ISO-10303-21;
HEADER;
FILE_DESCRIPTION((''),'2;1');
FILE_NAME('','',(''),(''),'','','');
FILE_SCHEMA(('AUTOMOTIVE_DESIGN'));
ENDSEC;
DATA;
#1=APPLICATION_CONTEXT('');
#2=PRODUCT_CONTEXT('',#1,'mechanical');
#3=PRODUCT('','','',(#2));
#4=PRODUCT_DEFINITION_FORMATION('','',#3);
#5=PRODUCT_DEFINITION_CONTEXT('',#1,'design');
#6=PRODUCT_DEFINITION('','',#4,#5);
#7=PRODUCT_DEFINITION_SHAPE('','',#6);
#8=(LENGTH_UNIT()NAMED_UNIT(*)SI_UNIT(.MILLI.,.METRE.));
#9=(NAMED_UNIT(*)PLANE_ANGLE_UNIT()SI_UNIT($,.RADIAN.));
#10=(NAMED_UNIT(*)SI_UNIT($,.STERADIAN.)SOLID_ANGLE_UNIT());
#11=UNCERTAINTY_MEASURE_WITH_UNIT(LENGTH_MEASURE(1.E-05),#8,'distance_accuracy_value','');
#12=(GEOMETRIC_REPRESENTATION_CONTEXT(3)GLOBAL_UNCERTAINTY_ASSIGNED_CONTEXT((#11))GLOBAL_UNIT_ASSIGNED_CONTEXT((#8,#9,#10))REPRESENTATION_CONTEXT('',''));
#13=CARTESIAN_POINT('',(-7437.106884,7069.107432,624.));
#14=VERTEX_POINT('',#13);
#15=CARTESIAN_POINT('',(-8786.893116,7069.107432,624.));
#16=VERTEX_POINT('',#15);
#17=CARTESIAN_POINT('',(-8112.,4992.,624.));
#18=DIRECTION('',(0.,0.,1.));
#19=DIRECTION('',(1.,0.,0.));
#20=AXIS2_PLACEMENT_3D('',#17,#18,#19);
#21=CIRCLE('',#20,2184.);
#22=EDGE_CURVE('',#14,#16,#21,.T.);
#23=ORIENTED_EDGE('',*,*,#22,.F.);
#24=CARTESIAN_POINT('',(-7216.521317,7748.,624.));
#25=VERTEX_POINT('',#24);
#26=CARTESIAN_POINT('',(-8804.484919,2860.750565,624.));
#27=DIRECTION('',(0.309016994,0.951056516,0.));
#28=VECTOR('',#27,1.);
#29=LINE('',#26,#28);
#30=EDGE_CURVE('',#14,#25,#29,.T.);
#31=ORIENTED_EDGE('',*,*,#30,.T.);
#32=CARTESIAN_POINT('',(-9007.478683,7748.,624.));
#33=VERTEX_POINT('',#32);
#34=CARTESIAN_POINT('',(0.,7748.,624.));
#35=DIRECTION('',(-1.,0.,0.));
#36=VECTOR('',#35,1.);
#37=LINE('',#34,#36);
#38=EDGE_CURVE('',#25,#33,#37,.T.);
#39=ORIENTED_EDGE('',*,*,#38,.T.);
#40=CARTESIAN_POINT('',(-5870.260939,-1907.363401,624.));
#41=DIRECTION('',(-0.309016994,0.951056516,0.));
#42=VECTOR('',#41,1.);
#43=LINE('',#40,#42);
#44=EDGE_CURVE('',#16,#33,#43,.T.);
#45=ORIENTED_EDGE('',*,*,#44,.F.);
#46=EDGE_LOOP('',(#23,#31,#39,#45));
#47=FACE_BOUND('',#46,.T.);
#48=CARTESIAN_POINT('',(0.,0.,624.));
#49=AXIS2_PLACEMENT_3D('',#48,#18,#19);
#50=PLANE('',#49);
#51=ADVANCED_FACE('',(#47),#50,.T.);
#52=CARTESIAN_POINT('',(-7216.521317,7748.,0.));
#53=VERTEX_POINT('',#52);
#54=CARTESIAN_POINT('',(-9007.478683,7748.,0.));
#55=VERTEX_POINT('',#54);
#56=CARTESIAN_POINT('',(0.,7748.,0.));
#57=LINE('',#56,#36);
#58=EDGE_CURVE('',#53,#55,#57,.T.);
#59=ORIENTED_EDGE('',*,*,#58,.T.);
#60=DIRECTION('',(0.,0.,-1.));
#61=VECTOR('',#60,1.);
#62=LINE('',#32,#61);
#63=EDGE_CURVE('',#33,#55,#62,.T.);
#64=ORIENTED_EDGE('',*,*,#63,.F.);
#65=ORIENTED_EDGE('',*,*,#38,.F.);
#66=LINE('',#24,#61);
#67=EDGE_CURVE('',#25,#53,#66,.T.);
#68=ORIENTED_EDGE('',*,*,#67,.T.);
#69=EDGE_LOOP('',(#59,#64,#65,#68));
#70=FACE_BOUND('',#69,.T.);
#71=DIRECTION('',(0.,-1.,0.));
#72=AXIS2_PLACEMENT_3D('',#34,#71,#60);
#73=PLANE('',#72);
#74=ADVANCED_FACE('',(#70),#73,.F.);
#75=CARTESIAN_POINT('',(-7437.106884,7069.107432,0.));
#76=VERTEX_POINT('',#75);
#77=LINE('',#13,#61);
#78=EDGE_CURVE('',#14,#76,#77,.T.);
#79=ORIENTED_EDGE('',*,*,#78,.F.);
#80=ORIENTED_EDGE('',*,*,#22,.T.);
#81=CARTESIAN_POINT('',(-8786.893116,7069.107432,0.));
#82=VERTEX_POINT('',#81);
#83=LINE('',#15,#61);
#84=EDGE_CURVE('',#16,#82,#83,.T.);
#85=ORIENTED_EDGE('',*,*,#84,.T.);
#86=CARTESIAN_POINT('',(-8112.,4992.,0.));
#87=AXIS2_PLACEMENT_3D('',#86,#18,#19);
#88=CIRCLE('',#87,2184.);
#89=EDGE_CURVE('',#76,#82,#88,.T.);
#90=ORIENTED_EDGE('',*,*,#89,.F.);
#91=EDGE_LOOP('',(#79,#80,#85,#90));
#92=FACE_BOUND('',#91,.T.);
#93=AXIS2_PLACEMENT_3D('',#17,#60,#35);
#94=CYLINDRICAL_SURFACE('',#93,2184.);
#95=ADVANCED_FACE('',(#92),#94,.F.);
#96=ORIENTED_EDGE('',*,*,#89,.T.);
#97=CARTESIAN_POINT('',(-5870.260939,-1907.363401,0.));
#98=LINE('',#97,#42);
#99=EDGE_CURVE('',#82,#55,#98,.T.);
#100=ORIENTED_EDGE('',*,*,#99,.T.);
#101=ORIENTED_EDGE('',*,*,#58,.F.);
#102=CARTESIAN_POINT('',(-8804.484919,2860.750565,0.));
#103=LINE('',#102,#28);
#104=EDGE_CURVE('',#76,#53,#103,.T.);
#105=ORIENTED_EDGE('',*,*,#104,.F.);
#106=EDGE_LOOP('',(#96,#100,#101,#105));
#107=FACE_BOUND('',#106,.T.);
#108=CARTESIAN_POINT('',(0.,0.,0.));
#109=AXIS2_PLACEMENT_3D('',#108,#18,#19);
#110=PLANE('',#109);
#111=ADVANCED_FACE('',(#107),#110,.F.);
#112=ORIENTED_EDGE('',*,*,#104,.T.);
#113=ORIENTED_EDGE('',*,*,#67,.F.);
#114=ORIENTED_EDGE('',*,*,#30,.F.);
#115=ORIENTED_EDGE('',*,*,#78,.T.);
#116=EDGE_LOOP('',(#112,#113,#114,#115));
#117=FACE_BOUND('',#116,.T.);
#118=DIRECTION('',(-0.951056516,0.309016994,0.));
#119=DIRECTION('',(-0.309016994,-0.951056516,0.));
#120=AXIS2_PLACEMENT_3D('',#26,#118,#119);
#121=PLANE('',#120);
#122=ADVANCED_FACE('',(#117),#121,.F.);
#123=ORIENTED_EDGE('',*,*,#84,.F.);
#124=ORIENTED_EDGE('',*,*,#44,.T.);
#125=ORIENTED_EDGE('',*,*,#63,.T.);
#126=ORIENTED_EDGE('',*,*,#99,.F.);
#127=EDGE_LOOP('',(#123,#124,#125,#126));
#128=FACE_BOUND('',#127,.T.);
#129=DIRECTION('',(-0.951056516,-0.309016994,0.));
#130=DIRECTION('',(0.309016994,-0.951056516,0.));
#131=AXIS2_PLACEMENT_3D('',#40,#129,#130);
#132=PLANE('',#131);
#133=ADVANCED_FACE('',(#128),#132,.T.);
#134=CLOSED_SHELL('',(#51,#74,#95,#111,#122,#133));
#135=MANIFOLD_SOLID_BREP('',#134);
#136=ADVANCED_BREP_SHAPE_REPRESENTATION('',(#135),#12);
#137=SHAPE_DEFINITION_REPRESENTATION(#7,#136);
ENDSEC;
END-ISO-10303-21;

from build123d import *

# Parameters (mm, degrees)
EXTRUDE_1_DEPTH = 480
SCALE_1_SCALE   = 1.3


with BuildPart() as part:
    # 草图1 → 凸台-拉伸1 (new body)
    with BuildSketch(Plane.XY):
        with BuildLine():
            Line((-6833.3126292, 5666.028511287), (-6759.14855055, 5437.774947376))
            ThreePointArc((-6759.14855055, 5437.774947376), (-6502.809901268, 5499.3164122), (-6240, 5520))
            Line((-6240, 5520), (-6240, 5760))
            ThreePointArc((-6240, 5760), (-6540.354172877, 5736.361613943), (-6833.3126292, 5666.028511287))
        make_face()
        with BuildLine():
            ThreePointArc((-6240, 5520), (-5977.190098732, 5499.3164122), (-5720.85144945, 5437.774947376))
            Line((-5720.85144945, 5437.774947376), (-5683.769410125, 5551.901729331))
            Line((-5683.769410125, 5551.901729331), (-5646.6873708, 5666.028511287))
            ThreePointArc((-5646.6873708, 5666.028511287), (-5939.645827123, 5736.361613943), (-6240, 5760))
            Line((-6240, 5760), (-6240, 5520))
        make_face()
        with BuildLine():
            ThreePointArc((-6240, 5760), (-5939.645827123, 5736.361613943), (-5646.6873708, 5666.028511287))
            Line((-5646.6873708, 5666.028511287), (-5551.170243986, 5960))
            Line((-5551.170243986, 5960), (-6928.829756014, 5960))
            Line((-6928.829756014, 5960), (-6833.3126292, 5666.028511287))
            ThreePointArc((-6833.3126292, 5666.028511287), (-6540.354172877, 5736.361613943), (-6240, 5760))
        make_face()
    extrude(amount=EXTRUDE_1_DEPTH)


with BuildPart() as part_1:
    # 缩放比例1: scaled about (0, 0, 0)
    add(part.part.scale(SCALE_1_SCALE))


solid = part_1.part
